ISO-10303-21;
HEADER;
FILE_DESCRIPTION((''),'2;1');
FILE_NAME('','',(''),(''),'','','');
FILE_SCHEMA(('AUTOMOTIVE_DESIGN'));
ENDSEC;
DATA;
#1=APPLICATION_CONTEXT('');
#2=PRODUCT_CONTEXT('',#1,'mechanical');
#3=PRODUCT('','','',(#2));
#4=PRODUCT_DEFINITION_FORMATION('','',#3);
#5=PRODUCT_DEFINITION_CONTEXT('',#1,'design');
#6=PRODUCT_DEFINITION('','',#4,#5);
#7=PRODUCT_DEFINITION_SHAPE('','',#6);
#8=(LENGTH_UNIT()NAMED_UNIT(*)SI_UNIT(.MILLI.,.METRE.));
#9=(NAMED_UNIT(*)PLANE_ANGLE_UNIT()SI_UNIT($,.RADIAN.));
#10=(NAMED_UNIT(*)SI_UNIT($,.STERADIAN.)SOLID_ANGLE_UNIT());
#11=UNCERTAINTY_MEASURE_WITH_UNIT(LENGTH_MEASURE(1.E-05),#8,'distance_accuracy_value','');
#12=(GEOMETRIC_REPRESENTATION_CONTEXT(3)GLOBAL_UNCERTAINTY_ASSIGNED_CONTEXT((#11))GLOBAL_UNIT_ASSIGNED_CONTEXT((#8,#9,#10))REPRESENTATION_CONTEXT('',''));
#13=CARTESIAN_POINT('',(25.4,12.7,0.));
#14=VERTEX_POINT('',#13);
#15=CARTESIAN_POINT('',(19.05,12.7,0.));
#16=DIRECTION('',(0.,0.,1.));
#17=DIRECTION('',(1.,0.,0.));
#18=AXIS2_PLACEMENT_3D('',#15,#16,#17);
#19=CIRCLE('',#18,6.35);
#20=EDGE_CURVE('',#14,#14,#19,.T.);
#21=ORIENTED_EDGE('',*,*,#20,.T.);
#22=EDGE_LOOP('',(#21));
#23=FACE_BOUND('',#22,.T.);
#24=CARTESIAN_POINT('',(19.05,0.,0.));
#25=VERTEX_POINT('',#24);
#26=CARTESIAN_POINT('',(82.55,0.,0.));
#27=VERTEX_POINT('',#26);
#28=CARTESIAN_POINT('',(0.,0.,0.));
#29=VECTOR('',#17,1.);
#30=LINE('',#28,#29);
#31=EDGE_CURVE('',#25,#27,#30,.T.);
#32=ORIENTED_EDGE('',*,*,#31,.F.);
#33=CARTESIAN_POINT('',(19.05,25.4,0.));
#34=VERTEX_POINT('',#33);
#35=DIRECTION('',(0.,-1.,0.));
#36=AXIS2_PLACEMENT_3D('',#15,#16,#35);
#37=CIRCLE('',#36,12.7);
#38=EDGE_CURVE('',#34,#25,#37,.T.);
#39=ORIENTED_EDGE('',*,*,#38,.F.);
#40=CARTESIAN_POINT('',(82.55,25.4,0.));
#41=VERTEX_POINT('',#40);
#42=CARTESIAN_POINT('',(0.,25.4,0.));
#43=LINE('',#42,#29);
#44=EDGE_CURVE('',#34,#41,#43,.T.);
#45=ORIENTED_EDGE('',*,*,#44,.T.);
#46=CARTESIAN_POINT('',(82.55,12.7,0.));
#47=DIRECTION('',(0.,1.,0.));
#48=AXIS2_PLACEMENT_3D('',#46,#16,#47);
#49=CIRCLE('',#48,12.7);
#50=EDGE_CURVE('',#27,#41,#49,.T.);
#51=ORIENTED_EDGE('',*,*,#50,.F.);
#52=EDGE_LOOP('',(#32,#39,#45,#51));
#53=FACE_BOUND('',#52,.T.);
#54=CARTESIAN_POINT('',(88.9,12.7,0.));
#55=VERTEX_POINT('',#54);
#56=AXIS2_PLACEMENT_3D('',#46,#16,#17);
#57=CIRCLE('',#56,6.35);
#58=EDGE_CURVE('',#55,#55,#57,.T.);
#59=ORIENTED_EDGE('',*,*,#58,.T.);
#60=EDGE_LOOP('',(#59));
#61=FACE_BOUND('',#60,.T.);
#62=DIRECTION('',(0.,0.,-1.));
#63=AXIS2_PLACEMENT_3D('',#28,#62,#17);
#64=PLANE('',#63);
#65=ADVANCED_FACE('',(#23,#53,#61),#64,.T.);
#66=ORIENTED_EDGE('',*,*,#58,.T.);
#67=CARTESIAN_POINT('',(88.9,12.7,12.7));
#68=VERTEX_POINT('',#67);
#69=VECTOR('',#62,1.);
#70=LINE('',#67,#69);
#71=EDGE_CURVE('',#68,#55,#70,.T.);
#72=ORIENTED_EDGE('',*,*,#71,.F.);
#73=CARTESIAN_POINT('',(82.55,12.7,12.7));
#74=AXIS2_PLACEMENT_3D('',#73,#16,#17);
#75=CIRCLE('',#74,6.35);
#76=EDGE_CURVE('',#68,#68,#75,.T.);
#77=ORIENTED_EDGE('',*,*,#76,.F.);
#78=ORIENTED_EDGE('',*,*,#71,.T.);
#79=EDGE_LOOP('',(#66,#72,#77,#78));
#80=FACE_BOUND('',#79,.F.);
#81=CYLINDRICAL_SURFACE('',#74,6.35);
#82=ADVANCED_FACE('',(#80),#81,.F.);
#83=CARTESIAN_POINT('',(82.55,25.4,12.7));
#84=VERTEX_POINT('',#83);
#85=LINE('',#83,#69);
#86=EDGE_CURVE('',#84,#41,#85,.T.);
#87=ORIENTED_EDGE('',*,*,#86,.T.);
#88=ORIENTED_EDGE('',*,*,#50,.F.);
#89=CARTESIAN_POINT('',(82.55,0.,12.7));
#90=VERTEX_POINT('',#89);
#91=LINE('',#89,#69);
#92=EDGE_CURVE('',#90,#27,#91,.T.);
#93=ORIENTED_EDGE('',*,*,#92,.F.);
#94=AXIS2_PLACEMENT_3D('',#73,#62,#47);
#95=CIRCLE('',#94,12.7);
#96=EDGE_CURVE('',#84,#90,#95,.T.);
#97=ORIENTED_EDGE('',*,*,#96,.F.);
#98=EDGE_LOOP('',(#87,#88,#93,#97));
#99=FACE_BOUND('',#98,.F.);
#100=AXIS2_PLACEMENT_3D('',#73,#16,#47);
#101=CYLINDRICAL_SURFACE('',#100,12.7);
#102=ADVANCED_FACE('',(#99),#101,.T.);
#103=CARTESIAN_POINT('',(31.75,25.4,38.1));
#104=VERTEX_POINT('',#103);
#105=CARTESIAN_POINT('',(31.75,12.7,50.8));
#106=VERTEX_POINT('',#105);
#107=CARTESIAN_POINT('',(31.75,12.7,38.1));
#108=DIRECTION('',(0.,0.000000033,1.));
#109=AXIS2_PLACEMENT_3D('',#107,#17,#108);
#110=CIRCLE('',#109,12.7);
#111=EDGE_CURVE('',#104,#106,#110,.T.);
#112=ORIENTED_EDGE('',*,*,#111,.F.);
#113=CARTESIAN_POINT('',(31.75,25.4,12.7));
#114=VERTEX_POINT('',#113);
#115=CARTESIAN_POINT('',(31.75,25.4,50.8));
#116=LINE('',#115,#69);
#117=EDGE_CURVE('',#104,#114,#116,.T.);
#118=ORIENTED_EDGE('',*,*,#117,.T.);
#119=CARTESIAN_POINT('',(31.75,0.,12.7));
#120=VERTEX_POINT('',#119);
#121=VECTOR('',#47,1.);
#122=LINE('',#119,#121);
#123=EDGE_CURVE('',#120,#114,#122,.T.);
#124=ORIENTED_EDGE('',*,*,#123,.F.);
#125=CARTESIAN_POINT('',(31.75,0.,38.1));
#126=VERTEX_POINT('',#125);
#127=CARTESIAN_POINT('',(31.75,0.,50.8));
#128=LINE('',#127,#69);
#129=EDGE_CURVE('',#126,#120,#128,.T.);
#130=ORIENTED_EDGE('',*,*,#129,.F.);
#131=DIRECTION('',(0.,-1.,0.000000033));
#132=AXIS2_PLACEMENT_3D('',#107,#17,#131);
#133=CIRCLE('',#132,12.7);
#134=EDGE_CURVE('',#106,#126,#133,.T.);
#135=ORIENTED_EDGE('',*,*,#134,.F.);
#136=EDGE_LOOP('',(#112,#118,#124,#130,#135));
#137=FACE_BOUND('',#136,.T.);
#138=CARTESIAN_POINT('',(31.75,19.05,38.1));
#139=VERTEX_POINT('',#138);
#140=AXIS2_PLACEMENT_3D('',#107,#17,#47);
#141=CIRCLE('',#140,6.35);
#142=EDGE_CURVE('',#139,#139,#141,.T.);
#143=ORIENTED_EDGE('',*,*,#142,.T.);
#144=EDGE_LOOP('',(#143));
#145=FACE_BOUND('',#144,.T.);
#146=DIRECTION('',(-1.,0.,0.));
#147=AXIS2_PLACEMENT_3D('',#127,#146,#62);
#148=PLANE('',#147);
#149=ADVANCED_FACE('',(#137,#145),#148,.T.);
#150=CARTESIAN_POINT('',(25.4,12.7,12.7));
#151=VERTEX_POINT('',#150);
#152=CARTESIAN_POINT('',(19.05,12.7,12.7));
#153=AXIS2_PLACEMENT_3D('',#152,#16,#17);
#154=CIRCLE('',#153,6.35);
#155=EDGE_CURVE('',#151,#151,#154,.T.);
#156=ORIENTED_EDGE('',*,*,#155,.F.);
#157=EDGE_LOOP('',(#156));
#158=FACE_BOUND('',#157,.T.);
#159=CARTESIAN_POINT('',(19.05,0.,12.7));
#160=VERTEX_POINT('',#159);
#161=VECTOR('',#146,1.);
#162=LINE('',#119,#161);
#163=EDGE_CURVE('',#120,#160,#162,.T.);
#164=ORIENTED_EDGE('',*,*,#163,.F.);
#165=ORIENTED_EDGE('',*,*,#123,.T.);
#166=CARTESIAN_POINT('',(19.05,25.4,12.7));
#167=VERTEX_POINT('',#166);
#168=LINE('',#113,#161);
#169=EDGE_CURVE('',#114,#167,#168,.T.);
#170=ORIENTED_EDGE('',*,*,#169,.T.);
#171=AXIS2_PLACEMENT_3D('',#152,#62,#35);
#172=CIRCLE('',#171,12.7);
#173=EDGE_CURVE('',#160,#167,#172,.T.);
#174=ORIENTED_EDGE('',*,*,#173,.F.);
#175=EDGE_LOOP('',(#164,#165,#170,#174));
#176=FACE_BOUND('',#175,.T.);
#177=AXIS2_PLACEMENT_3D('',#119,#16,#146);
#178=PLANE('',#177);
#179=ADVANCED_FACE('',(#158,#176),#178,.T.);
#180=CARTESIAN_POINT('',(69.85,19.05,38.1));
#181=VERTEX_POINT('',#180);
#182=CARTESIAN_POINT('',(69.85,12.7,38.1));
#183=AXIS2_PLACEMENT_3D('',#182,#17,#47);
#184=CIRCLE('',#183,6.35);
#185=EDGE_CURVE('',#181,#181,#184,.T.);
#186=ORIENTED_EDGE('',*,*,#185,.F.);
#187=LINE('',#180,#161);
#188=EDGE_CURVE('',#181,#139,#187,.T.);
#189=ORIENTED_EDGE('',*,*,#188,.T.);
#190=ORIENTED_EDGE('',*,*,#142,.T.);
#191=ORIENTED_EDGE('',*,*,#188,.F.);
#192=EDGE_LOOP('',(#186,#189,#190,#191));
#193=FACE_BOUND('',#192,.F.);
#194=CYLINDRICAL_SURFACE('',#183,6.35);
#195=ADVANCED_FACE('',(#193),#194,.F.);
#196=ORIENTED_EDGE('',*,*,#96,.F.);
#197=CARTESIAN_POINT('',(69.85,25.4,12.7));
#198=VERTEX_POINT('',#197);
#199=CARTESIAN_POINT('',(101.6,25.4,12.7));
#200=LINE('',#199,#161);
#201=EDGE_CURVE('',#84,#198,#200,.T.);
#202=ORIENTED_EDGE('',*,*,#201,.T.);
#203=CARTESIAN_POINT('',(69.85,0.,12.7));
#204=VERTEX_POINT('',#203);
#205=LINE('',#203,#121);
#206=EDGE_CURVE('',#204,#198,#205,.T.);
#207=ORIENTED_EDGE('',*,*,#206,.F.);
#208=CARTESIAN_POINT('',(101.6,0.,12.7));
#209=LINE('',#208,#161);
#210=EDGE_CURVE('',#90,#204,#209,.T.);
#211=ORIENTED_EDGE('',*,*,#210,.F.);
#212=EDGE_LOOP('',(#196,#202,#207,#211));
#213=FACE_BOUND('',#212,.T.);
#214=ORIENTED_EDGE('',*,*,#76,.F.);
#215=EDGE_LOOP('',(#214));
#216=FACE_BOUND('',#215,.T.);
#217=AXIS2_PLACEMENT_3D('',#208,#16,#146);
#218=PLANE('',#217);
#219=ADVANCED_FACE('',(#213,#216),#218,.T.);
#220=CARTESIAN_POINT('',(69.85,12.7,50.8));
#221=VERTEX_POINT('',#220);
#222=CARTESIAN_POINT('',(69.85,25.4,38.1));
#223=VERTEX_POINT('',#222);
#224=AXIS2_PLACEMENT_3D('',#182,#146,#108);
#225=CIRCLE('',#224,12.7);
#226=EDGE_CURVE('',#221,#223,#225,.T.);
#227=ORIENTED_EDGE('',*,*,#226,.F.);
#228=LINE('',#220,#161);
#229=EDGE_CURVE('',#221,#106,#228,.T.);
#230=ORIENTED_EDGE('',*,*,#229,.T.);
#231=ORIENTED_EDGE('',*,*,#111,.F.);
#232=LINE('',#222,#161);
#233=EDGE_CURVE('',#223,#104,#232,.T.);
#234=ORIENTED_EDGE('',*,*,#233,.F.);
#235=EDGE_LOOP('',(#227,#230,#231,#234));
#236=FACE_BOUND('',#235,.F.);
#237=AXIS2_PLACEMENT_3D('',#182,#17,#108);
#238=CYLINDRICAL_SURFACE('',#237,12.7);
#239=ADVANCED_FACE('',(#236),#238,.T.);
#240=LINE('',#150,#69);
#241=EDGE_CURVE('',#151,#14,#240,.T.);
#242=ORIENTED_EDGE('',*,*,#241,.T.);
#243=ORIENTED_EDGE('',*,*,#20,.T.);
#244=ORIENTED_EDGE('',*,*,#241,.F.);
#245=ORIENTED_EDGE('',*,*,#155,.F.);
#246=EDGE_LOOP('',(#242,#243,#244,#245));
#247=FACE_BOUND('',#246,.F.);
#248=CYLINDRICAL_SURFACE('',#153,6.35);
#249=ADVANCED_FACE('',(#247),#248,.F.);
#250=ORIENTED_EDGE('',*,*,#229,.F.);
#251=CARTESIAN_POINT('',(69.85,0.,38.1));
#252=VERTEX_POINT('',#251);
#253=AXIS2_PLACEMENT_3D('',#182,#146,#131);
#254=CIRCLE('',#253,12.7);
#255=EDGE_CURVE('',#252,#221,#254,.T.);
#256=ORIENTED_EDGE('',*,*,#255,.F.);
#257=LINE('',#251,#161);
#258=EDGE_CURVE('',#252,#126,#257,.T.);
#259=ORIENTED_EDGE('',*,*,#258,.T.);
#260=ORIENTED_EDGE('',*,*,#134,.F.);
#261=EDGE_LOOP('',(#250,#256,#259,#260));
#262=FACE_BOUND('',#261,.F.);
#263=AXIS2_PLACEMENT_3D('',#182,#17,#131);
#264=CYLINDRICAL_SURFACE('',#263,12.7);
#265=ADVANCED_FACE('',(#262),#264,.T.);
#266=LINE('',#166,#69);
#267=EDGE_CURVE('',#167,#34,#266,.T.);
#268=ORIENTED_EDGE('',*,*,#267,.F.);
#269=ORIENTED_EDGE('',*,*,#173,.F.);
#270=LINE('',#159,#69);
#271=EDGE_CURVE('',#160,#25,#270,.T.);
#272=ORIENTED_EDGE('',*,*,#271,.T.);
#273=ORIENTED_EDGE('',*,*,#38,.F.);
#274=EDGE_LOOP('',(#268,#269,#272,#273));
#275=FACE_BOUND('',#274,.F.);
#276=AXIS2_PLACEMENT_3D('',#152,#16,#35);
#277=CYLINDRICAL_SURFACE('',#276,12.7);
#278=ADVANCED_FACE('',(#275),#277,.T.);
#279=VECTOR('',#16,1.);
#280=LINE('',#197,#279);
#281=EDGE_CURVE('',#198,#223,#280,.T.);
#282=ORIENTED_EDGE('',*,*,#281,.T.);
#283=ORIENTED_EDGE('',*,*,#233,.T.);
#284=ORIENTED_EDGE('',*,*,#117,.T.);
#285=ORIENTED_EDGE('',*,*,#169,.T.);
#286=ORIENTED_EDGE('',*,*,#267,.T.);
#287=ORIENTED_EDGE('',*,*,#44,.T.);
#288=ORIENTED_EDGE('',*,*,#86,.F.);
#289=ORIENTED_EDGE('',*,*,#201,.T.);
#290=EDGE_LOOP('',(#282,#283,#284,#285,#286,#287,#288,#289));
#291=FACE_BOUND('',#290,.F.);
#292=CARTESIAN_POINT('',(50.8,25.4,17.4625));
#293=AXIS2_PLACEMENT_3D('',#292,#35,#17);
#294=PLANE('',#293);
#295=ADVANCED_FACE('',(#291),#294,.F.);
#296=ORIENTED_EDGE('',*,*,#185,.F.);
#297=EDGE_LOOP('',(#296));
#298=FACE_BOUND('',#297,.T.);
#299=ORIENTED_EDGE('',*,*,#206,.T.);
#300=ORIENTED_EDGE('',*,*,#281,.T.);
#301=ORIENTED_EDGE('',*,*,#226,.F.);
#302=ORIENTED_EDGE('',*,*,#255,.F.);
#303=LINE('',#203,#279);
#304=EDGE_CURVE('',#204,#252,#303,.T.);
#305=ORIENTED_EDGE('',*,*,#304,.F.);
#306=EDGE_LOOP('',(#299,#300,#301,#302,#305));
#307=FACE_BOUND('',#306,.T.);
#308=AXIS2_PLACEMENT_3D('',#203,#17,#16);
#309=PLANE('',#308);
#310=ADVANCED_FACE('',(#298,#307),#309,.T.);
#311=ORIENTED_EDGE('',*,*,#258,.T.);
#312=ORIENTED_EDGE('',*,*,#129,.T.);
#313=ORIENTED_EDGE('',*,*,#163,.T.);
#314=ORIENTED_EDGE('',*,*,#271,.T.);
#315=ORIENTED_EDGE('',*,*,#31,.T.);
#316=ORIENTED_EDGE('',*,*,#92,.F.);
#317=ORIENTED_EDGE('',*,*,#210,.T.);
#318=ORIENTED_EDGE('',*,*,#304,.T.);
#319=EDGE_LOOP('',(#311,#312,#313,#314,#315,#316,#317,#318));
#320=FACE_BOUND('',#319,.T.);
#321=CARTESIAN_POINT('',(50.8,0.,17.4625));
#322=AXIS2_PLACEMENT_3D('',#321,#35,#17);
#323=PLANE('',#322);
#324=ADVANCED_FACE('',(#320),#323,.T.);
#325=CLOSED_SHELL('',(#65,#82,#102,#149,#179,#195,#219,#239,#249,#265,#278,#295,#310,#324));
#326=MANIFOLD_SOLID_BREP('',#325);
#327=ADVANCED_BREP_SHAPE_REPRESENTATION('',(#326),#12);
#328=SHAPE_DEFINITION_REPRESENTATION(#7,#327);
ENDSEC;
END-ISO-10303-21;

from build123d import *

# Parameters (mm, degrees)
F1_DEPTH = 25.4
F2_R     = 6.35
F3_DEPTH = 25.4
F4_R     = 6.35
F5_DEPTH = 49.276
F6_R     = 6.35
F7_DEPTH = 25.4


with BuildPart() as f1:
    # F0 (on Front) → F1 (new body)
    with BuildSketch(Plane.XZ):
        Polygon((0, 12.7), (0, 0), (101.6, 0), (101.6, 12.7), (69.85, 12.7), (69.85, 50.8), (31.75, 50.8), (31.75, 12.7), align=None)
    extrude(amount=-F1_DEPTH)

    # F2 (on face) → F3 (cut)
    with BuildSketch(Plane.XY.offset(12.7)):
        with Locations((82.55, 12.7)):
            Circle(F2_R)
        with BuildLine():
            ThreePointArc((82.55, 25.4), (95.25, 12.7), (82.55, 0))
            Line((82.55, 0), (101.6, 0))
            Line((101.6, 0), (101.6, 25.4))
            Line((101.6, 25.4), (82.55, 25.4))
        make_face()
    extrude(amount=-F3_DEPTH, mode=Mode.SUBTRACT)

    # F4 (on face) → F5 (cut)
    with BuildSketch(Plane.YZ.offset(69.85)):
        with Locations((12.7, 38.1)):
            Circle(F4_R)
        with BuildLine():
            ThreePointArc((12.7, 50.8), (21.680256, 47.080256), (25.4, 38.1))
            Line((25.4, 38.1), (25.4, 50.8))
            Line((25.4, 50.8), (12.7, 50.8))
        make_face()
        with BuildLine():
            ThreePointArc((0, 38.1), (3.719744, 47.080256), (12.7, 50.8))
            Line((12.7, 50.8), (0, 50.8))
            Line((0, 50.8), (0, 38.1))
        make_face()
    extrude(amount=-F5_DEPTH, mode=Mode.SUBTRACT)

    # F6 (on face) → F7 (cut)
    with BuildSketch(Plane.XY.offset(12.7)):
        with BuildLine():
            ThreePointArc((19.05, 0), (6.35, 12.7), (19.05, 25.4))
            Line((19.05, 25.4), (0, 25.4))
            Line((0, 25.4), (0, 0))
            Line((0, 0), (19.05, 0))
        make_face()
        with Locations((19.05, 12.7)):
            Circle(F6_R)
    extrude(amount=-F7_DEPTH, mode=Mode.SUBTRACT)


solid = f1.part
